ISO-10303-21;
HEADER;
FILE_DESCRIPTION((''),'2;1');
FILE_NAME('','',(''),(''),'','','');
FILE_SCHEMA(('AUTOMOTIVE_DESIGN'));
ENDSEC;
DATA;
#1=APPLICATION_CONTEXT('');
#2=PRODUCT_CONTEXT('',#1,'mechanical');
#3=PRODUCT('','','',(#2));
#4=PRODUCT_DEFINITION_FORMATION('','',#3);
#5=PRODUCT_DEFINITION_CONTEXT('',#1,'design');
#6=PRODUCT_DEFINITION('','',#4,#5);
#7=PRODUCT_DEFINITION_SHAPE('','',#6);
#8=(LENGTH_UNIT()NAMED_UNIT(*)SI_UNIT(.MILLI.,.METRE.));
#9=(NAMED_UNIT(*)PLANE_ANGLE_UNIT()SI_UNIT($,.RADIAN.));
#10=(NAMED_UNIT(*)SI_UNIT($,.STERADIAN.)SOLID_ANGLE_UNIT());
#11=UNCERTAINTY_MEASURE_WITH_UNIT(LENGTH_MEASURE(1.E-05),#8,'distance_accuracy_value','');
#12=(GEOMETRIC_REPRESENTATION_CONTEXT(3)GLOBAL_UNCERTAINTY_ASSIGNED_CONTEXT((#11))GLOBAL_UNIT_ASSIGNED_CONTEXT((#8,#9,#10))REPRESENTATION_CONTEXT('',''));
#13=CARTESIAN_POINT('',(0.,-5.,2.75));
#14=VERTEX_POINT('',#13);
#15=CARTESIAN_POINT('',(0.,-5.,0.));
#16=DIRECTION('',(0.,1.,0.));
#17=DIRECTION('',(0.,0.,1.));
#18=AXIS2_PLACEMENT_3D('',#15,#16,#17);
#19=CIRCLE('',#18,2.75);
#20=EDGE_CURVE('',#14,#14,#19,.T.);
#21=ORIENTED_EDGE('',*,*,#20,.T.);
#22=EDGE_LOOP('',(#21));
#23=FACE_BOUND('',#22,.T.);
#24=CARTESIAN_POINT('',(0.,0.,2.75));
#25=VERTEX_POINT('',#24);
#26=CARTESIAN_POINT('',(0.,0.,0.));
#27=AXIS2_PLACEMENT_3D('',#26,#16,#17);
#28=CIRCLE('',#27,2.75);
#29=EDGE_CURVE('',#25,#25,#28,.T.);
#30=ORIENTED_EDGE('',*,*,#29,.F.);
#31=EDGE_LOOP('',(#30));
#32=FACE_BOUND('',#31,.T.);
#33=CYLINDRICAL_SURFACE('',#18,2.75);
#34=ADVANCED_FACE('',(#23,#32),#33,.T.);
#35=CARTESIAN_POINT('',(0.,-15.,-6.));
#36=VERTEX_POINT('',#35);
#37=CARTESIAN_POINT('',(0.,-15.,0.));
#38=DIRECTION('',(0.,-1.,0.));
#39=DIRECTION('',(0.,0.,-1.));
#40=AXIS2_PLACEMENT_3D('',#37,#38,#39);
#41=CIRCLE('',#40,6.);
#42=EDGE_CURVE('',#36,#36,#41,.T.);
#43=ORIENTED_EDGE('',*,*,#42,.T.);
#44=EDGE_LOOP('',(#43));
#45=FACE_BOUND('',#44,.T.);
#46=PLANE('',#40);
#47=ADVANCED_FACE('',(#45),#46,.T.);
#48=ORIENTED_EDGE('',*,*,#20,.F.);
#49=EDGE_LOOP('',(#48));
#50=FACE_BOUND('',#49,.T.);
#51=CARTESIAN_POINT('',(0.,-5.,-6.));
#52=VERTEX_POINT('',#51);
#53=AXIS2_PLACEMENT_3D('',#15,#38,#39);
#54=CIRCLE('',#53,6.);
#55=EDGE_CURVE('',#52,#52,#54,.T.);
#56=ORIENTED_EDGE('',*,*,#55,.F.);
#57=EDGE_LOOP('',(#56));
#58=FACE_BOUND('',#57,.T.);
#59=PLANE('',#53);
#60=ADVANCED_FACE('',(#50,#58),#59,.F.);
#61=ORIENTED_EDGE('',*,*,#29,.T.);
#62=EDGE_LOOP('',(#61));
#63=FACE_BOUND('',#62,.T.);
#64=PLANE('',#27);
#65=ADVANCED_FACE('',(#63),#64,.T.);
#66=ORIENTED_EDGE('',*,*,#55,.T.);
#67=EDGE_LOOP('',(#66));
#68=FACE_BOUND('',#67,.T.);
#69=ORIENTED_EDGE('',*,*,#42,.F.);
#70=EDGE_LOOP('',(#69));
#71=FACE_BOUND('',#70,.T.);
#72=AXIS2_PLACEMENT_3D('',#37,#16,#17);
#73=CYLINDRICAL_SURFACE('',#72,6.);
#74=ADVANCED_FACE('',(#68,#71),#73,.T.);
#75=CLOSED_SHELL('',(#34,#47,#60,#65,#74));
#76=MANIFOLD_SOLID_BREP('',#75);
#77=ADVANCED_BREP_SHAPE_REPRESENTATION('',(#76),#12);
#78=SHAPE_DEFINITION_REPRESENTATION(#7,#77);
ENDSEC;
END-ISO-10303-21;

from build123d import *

# Parameters (mm, degrees)
SKETCH2_R           = 2.75
BOSS_EXTRUDE1_DEPTH = 5
SKETCH3_R           = 6
BOSS_EXTRUDE2_DEPTH = 10


with BuildPart() as part:
    # Sketch2 → Boss-Extrude1 (new body)
    with BuildSketch(Plane(origin=(0, 0, 0), x_dir=(1, 0, 0), z_dir=(0, 1, 0))):
        with Locations(Location((0, 0, 0), (0, 0, 270))):
            Circle(SKETCH2_R)
    extrude(amount=-BOSS_EXTRUDE1_DEPTH)

    # Sketch3 → Boss-Extrude2 (add)
    with BuildSketch(Plane(origin=(0, -5, 0), x_dir=(-1, 0, 0), z_dir=(0, -1, 0))):
        with Locations(Location((0, 0, 0), (0, 0, 90))):
            Circle(SKETCH3_R)
    extrude(amount=BOSS_EXTRUDE2_DEPTH)


solid = part.part
